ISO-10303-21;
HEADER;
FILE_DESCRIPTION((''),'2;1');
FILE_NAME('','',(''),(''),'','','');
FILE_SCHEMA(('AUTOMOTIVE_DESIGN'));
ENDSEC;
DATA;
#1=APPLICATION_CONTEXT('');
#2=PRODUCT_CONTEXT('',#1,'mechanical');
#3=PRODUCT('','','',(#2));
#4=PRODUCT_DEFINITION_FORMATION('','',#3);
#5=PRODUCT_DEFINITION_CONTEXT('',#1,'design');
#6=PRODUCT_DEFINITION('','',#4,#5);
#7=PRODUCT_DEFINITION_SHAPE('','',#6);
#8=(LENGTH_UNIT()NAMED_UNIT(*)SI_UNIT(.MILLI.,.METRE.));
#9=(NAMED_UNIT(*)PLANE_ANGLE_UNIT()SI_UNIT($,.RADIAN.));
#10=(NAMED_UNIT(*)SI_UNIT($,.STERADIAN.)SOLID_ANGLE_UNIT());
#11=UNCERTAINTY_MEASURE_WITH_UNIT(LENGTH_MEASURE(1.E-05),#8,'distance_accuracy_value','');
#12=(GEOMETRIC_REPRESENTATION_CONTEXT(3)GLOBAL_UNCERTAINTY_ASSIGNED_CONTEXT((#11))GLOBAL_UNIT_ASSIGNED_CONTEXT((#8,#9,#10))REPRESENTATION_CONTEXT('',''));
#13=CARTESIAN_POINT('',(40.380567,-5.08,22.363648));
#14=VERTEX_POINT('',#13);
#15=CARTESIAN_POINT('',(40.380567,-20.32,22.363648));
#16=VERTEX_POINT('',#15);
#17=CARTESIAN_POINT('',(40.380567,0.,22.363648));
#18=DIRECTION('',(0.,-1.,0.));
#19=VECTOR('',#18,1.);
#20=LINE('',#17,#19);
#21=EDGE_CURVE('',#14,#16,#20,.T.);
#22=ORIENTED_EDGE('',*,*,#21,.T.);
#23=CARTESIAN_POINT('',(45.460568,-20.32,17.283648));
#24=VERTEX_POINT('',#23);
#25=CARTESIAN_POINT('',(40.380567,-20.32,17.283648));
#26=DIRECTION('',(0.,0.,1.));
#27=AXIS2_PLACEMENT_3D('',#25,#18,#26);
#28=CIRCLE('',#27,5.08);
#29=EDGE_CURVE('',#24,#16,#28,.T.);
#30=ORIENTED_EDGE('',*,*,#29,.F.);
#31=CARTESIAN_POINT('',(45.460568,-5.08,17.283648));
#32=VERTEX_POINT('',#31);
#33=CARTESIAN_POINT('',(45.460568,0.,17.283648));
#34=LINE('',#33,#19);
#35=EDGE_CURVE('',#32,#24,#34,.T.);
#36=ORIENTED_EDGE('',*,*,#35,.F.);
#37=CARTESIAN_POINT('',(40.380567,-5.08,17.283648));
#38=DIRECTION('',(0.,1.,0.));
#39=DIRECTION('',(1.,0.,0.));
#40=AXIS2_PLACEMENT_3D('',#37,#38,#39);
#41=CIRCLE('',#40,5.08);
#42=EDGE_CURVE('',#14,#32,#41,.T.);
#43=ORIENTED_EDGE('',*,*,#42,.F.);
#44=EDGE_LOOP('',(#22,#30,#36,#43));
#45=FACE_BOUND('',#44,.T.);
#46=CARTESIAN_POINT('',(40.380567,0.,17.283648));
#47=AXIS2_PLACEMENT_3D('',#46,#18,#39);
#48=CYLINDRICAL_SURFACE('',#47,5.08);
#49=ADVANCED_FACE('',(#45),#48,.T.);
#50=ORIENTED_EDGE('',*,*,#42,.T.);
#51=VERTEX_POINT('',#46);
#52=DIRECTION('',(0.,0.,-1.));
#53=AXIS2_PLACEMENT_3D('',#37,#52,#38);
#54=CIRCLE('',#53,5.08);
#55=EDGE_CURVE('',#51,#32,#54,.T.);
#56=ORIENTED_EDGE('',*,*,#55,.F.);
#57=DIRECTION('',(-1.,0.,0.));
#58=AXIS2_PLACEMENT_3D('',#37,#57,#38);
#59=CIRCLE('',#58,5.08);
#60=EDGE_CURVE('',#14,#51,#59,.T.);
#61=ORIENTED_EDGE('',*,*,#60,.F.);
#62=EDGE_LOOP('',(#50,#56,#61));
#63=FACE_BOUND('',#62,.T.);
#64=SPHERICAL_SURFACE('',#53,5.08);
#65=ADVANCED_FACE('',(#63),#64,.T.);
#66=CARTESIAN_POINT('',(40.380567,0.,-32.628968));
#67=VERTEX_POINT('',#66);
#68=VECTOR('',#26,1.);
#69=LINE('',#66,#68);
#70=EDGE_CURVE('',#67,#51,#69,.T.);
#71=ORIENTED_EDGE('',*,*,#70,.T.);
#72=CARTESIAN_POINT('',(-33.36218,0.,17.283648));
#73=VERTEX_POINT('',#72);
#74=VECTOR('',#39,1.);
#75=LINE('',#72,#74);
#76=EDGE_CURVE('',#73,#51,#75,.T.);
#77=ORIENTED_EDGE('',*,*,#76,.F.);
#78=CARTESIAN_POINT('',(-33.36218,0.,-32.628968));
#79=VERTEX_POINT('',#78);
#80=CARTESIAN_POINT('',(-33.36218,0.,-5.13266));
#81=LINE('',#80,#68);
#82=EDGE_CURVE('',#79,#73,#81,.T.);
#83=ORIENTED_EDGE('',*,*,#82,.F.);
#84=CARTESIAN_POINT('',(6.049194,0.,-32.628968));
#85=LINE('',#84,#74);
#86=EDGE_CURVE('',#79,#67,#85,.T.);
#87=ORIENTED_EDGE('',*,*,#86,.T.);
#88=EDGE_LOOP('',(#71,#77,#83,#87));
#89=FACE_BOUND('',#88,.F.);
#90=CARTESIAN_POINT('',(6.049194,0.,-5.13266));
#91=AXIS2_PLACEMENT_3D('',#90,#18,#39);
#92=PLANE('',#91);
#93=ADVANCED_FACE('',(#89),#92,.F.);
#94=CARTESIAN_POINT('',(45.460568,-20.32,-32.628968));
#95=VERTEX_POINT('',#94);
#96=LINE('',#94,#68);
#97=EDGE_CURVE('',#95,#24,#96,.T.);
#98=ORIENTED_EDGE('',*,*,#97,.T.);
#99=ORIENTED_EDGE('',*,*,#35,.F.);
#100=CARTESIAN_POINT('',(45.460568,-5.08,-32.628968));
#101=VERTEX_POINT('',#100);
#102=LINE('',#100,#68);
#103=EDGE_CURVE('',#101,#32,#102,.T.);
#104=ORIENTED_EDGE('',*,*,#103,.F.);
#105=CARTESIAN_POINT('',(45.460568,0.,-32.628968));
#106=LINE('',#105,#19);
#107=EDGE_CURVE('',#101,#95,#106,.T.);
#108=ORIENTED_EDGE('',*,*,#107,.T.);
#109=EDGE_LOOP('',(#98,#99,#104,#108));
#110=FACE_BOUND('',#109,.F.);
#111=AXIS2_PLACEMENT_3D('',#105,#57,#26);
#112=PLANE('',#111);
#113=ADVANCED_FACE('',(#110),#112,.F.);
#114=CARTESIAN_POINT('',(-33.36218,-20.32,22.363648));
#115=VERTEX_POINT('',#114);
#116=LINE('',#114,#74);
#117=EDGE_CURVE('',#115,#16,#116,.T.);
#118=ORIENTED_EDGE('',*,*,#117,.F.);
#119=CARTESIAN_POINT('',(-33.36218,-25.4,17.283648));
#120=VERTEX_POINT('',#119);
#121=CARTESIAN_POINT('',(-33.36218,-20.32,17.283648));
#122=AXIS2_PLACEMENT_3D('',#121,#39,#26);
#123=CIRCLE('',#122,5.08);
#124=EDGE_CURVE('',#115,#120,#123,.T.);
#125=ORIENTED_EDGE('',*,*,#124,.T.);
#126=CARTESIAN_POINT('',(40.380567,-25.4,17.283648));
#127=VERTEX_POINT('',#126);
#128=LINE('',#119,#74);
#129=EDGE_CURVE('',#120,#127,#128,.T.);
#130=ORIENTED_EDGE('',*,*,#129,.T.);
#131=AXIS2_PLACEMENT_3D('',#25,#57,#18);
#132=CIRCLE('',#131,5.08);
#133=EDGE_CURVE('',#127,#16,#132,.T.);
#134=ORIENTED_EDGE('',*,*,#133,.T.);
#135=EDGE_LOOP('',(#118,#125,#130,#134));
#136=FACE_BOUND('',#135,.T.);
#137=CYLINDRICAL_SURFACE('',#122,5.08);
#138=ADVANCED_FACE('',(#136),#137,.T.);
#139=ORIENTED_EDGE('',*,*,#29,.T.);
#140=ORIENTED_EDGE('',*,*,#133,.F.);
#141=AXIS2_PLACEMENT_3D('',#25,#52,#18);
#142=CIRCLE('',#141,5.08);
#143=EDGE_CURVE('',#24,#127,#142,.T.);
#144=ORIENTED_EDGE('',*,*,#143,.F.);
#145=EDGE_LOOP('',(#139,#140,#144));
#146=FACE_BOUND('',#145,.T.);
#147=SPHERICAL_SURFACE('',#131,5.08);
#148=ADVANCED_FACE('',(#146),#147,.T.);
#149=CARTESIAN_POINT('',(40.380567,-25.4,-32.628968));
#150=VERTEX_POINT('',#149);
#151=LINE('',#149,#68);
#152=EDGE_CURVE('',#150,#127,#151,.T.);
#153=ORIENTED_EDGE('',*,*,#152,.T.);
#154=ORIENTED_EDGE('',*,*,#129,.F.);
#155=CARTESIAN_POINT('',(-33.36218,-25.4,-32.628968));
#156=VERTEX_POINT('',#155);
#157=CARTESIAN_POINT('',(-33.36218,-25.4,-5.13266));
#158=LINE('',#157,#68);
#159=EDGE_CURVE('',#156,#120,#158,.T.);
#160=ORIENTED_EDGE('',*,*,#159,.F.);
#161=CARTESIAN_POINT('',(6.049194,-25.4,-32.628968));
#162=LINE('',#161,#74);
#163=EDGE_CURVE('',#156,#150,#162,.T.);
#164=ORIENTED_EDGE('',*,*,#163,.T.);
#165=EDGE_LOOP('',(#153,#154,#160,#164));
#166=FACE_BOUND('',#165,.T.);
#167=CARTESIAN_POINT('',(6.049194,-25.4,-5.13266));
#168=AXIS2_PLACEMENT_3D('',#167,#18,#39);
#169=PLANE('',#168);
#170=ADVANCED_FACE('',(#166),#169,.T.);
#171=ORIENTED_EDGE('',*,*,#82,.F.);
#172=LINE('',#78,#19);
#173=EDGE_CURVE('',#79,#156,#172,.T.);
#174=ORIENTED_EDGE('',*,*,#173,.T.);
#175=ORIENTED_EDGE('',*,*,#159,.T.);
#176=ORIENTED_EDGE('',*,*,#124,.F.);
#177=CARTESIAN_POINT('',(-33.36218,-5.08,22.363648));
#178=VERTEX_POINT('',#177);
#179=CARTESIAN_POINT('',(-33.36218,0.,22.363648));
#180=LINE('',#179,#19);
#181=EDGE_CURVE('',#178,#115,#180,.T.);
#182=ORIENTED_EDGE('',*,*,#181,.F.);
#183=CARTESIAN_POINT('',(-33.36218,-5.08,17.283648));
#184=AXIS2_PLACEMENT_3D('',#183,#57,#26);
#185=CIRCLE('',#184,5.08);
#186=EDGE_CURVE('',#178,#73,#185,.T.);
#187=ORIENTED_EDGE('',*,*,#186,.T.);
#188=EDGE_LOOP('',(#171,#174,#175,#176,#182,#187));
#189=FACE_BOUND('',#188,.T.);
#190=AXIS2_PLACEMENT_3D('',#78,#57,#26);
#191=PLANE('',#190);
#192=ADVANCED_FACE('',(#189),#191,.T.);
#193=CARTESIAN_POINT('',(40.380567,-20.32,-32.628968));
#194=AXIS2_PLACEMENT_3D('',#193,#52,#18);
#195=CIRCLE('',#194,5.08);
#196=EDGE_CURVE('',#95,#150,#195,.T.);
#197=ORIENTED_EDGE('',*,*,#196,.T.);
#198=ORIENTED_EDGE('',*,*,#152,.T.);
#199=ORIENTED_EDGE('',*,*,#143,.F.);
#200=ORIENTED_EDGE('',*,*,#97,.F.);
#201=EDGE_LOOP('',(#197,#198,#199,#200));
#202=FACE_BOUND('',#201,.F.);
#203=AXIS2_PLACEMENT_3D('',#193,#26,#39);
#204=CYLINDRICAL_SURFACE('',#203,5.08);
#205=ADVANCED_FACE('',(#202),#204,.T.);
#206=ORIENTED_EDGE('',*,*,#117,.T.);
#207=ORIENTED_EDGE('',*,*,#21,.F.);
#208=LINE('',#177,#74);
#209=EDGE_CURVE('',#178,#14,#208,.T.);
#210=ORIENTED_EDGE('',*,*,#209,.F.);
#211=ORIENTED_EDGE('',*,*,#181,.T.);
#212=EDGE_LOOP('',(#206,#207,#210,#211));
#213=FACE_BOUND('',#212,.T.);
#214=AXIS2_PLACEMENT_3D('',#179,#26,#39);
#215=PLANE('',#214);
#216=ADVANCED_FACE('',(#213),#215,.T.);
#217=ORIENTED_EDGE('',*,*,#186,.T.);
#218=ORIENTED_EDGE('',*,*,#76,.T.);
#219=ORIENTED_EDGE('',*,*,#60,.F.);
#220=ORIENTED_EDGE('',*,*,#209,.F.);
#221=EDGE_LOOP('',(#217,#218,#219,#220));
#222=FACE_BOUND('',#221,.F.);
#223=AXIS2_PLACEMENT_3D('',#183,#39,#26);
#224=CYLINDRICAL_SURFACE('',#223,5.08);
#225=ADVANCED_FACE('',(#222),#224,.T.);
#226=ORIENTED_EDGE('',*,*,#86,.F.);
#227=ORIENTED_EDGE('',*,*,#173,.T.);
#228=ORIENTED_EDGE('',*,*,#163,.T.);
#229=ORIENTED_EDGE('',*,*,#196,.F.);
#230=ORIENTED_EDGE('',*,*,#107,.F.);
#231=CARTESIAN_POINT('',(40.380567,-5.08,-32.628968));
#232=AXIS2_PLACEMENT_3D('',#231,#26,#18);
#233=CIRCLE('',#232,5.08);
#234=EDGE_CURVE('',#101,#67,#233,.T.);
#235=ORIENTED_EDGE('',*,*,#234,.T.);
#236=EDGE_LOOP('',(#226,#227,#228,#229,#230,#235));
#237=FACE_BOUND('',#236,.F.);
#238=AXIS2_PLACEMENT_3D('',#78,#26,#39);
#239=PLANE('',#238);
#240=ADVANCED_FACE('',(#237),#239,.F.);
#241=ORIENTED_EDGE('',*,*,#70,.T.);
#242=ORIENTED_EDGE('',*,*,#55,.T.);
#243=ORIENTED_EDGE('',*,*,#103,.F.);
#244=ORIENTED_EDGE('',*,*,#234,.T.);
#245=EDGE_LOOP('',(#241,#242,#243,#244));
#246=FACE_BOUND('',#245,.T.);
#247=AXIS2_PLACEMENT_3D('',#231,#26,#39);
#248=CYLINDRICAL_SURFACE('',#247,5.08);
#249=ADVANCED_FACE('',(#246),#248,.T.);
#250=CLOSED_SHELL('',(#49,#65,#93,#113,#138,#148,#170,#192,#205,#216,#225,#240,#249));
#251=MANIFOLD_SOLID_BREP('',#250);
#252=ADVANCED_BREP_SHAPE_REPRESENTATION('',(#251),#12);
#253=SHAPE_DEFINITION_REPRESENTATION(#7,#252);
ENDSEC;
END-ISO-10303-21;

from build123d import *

# Parameters (mm, degrees)
F0_W     = 78.822747
F0_H     = 54.992616
F1_DEPTH = 25.4
F2_R     = 5.08


with BuildPart() as f1:
    # F0 (on Front) → F1 (new body)
    with BuildSketch(Plane.XZ):
        with Locations((6.049194, -5.13266)):
            Rectangle(F0_W, F0_H)
    extrude(amount=F1_DEPTH)

    # F2
    f2_edges = [f1.edges().sort_by_distance(p)[0] for p in [
        (6.049193, -25.4, 22.363648),
        (45.460567, 0, -5.13266),
        (45.460567, -25.4, -5.13266),
        (6.049193, 0, 22.363648),
        (45.460567, -12.7, 22.363648),
    ]]
    fillet(f2_edges, radius=F2_R)


solid = f1.part
